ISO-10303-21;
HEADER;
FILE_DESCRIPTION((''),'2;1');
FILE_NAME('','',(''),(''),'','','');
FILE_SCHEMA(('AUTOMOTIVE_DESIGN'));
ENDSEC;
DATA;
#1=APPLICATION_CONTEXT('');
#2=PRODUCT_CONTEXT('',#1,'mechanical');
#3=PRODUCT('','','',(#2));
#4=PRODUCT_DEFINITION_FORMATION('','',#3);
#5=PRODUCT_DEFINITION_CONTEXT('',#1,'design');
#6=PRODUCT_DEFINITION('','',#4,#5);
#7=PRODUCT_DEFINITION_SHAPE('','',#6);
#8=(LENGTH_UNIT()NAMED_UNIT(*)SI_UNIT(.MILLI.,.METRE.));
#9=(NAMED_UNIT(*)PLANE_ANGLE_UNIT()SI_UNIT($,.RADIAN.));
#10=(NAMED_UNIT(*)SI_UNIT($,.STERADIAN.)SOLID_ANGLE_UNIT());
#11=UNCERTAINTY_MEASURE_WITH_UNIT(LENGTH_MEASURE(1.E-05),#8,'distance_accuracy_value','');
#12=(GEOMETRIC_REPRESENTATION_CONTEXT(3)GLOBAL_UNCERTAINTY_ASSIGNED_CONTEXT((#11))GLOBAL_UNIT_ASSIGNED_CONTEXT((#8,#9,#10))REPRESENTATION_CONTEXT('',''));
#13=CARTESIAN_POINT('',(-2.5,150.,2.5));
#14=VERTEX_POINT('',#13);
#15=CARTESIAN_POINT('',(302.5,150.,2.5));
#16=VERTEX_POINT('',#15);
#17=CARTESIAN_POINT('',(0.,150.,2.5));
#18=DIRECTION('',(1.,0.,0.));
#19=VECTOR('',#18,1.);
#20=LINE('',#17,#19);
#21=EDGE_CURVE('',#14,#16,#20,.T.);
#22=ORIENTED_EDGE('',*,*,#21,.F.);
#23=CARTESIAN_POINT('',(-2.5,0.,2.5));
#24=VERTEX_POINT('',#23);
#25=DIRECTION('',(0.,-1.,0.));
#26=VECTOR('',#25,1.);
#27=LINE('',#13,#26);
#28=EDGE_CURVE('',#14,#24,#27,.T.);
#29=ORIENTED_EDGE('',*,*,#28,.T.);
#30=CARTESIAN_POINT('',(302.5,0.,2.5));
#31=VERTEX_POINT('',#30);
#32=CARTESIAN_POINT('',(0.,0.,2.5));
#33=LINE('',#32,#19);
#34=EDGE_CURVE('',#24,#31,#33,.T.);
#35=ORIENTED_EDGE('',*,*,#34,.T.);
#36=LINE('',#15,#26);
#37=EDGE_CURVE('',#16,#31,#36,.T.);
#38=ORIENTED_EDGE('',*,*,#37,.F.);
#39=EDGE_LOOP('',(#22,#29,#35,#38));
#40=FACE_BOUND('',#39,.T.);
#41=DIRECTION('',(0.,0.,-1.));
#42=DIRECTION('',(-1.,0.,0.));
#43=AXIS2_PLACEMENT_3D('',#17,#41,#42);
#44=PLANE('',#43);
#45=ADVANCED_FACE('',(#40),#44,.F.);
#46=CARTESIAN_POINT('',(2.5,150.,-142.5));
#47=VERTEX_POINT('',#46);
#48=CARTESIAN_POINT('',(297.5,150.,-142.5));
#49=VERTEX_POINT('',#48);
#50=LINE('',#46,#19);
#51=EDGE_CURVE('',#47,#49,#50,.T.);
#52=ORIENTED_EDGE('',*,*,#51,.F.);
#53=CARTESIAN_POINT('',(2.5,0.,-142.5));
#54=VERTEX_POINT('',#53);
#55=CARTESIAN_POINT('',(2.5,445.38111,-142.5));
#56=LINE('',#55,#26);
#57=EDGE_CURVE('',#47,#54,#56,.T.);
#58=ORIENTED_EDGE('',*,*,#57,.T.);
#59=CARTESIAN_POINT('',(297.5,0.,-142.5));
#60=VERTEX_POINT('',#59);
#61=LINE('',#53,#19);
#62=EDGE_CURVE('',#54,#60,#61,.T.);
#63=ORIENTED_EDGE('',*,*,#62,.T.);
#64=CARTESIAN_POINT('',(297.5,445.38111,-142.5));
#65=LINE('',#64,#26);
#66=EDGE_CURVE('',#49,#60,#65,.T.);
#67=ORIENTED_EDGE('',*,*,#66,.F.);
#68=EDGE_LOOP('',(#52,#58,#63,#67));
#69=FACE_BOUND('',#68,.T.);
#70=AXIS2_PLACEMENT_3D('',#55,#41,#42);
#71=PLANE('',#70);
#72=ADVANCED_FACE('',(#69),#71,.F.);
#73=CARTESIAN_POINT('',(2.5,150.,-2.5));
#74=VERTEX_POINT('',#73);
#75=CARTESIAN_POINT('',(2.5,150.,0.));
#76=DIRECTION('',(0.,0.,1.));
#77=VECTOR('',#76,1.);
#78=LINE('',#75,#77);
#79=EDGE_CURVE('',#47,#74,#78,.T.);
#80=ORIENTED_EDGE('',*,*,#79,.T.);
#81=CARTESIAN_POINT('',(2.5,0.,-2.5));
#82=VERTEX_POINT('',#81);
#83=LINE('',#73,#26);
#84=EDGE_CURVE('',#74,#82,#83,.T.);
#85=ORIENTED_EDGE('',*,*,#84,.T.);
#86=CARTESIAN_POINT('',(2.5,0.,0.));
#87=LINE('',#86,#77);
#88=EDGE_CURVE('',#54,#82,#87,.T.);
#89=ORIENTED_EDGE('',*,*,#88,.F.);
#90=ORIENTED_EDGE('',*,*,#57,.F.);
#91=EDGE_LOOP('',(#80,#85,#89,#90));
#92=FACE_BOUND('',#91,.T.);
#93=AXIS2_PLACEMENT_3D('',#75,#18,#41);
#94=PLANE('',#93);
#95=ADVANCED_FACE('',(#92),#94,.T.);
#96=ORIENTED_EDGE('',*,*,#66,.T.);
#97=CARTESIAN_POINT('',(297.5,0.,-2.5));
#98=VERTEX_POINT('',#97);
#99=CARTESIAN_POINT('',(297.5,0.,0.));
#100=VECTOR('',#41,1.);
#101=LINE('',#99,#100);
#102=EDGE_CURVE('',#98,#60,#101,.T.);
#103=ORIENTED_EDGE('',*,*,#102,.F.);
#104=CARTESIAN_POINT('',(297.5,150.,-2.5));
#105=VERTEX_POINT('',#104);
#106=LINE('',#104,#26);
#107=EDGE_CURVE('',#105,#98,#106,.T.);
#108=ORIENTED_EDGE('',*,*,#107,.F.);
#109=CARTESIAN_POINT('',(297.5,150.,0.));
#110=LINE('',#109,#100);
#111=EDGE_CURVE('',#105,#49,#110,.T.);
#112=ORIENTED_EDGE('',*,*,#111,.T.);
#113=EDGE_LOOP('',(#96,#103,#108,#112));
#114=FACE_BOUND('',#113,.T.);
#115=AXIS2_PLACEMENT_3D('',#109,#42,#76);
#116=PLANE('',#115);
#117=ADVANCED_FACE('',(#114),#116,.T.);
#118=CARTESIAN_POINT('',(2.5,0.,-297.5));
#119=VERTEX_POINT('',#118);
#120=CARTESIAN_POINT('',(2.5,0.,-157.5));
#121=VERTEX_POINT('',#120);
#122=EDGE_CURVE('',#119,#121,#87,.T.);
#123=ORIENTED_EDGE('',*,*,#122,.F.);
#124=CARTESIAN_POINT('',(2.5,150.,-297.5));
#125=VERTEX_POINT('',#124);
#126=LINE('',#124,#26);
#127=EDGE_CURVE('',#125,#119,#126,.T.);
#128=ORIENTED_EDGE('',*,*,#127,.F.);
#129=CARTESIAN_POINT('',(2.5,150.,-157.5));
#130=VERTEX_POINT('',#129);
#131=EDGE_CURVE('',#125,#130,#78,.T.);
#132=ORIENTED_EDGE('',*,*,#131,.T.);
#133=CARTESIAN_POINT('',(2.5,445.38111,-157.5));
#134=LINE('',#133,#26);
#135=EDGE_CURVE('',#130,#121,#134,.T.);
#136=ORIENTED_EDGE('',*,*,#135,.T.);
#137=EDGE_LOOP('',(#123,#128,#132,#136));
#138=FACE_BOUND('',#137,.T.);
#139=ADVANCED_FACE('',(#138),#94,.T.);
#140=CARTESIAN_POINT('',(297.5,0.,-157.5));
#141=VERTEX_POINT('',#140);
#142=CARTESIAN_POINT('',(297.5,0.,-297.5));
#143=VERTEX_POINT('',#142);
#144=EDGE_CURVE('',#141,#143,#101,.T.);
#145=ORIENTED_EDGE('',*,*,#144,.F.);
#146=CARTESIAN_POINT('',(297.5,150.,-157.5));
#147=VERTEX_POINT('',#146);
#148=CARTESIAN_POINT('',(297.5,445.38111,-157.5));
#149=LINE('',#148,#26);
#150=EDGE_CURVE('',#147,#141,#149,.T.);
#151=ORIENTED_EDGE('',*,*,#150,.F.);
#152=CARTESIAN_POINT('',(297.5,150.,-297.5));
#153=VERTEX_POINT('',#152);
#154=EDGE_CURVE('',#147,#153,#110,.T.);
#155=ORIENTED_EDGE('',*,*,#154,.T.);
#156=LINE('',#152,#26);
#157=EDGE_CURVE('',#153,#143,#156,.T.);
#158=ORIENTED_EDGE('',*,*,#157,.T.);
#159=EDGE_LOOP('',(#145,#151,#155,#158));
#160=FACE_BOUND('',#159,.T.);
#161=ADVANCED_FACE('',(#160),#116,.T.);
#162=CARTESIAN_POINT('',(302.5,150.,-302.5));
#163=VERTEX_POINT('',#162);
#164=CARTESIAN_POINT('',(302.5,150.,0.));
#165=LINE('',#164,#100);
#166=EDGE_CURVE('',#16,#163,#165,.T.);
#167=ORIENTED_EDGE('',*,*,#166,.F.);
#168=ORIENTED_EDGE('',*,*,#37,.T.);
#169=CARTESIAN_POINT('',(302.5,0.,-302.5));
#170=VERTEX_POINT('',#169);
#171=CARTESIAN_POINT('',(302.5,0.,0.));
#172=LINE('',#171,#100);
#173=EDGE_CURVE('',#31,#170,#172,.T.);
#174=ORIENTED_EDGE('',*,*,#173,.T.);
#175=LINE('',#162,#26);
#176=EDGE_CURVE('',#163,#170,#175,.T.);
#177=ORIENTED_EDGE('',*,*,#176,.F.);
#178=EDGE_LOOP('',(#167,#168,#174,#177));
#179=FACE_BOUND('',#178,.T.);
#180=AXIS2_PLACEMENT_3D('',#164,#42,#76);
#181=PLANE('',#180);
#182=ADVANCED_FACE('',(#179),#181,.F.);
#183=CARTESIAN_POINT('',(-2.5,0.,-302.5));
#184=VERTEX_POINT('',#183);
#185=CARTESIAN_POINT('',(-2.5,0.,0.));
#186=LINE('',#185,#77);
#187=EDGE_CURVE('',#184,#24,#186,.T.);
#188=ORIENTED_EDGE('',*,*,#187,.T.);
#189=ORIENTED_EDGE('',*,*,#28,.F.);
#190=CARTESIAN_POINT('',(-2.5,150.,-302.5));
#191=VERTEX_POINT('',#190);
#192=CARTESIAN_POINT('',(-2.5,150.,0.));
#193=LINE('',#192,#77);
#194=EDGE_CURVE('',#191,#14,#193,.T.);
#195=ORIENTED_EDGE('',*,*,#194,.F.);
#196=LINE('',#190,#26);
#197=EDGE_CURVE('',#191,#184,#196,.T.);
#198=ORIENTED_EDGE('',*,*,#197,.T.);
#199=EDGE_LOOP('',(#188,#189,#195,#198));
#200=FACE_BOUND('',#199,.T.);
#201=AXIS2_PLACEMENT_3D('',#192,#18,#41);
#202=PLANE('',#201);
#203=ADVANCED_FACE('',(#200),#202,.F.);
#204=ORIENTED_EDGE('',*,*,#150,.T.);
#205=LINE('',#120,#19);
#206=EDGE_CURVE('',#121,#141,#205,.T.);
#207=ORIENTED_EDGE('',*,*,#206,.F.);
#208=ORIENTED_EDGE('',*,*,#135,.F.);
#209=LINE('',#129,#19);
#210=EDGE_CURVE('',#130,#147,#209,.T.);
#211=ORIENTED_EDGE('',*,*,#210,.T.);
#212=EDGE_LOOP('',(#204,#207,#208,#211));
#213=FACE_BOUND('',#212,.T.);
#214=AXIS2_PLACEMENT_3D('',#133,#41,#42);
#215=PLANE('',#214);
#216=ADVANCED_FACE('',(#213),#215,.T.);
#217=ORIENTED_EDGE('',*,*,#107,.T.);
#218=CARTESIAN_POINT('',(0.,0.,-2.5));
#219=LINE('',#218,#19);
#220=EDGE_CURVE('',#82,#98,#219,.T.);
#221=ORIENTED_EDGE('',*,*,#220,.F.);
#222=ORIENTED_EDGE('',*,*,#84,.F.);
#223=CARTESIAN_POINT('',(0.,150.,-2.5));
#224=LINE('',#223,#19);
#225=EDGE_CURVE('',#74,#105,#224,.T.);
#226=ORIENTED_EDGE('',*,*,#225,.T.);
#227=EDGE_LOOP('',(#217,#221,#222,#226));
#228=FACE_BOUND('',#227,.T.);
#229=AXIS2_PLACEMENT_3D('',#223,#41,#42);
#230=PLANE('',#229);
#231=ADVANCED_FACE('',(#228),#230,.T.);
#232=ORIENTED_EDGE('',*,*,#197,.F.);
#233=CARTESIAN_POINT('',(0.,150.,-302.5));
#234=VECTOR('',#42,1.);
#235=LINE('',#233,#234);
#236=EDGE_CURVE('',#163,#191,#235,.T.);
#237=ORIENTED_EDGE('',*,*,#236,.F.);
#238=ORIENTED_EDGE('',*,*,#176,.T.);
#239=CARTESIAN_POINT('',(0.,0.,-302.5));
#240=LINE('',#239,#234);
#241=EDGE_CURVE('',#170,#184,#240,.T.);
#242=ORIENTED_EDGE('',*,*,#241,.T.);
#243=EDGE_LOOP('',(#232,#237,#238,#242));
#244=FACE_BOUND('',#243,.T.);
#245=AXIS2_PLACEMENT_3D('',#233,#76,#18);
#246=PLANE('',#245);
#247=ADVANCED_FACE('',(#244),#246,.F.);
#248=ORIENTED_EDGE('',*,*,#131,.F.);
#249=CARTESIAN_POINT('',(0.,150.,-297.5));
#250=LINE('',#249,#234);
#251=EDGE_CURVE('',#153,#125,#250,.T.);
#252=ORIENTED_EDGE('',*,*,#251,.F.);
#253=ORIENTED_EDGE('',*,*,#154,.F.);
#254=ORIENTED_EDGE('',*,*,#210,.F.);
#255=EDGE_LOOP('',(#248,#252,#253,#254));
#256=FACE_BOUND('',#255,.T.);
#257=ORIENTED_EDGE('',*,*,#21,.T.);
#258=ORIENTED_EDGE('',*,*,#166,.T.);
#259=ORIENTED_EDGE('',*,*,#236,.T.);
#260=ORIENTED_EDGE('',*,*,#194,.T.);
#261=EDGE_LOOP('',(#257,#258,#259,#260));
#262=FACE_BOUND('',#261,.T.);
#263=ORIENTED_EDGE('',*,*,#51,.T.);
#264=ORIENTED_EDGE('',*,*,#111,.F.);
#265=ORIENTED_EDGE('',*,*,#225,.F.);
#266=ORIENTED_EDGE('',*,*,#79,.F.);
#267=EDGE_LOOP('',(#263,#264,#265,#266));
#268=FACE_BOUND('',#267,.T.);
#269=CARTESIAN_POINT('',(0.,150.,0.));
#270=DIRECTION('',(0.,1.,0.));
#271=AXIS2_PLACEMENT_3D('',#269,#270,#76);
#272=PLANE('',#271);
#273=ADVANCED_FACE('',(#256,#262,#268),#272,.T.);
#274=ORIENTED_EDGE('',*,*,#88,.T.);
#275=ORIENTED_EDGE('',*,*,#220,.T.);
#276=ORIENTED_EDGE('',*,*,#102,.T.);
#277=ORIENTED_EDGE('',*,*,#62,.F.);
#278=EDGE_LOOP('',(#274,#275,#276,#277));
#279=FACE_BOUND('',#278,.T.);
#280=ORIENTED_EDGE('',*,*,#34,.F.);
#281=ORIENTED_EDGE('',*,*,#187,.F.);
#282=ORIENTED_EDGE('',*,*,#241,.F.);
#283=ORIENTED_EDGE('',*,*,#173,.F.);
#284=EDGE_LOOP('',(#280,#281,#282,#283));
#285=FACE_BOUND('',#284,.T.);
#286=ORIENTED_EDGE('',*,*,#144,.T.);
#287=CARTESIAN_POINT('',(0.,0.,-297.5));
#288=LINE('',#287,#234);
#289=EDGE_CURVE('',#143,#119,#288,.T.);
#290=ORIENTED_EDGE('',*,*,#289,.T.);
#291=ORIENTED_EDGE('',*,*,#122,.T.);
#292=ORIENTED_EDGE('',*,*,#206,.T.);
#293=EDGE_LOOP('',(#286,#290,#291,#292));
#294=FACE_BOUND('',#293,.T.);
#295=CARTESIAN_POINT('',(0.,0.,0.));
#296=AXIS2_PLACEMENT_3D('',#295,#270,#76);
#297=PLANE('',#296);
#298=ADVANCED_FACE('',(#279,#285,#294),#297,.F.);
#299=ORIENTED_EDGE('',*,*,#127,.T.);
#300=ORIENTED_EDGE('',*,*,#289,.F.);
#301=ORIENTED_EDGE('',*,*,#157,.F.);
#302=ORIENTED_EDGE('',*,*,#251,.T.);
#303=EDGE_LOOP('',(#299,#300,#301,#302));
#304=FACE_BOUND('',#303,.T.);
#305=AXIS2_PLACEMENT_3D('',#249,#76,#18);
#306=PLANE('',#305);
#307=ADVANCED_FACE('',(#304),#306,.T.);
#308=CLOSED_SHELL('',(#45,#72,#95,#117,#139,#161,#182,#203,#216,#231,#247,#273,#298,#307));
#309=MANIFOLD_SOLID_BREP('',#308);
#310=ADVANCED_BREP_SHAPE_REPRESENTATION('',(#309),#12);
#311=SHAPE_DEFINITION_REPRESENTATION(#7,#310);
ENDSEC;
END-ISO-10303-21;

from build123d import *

# Parameters (mm, degrees)
SKETCH_1_W      = 305
SKETCH_1_H      = 305
SKETCH_1_W_2    = 295
SKETCH_1_H_2    = 295
EXTRUDE_1_DEPTH = 150
SKETCH_2_W      = 295
SKETCH_2_H      = 15
EXTRUDE_2_DEPTH = 150


with BuildPart() as part:
    # 草图1 → 拉伸-薄壁1 (new body)
    with BuildSketch(Plane(origin=(0, 0, 0), x_dir=(1, 0, 0), z_dir=(0, 1, 0))):
        with Locations((150, 150)):
            Rectangle(SKETCH_1_W, SKETCH_1_H)
        with Locations((150, 150)):
            Rectangle(SKETCH_1_W_2, SKETCH_1_H_2, mode=Mode.SUBTRACT)
    extrude(amount=EXTRUDE_1_DEPTH)

    # 草图2 → 拉伸-薄壁2 (add)
    with BuildSketch(Plane(origin=(0, 0, 0), x_dir=(1, 0, 0), z_dir=(0, 1, 0))):
        with Locations((150, 150)):
            Rectangle(SKETCH_2_W, SKETCH_2_H)
    extrude(amount=EXTRUDE_2_DEPTH)


solid = part.part
